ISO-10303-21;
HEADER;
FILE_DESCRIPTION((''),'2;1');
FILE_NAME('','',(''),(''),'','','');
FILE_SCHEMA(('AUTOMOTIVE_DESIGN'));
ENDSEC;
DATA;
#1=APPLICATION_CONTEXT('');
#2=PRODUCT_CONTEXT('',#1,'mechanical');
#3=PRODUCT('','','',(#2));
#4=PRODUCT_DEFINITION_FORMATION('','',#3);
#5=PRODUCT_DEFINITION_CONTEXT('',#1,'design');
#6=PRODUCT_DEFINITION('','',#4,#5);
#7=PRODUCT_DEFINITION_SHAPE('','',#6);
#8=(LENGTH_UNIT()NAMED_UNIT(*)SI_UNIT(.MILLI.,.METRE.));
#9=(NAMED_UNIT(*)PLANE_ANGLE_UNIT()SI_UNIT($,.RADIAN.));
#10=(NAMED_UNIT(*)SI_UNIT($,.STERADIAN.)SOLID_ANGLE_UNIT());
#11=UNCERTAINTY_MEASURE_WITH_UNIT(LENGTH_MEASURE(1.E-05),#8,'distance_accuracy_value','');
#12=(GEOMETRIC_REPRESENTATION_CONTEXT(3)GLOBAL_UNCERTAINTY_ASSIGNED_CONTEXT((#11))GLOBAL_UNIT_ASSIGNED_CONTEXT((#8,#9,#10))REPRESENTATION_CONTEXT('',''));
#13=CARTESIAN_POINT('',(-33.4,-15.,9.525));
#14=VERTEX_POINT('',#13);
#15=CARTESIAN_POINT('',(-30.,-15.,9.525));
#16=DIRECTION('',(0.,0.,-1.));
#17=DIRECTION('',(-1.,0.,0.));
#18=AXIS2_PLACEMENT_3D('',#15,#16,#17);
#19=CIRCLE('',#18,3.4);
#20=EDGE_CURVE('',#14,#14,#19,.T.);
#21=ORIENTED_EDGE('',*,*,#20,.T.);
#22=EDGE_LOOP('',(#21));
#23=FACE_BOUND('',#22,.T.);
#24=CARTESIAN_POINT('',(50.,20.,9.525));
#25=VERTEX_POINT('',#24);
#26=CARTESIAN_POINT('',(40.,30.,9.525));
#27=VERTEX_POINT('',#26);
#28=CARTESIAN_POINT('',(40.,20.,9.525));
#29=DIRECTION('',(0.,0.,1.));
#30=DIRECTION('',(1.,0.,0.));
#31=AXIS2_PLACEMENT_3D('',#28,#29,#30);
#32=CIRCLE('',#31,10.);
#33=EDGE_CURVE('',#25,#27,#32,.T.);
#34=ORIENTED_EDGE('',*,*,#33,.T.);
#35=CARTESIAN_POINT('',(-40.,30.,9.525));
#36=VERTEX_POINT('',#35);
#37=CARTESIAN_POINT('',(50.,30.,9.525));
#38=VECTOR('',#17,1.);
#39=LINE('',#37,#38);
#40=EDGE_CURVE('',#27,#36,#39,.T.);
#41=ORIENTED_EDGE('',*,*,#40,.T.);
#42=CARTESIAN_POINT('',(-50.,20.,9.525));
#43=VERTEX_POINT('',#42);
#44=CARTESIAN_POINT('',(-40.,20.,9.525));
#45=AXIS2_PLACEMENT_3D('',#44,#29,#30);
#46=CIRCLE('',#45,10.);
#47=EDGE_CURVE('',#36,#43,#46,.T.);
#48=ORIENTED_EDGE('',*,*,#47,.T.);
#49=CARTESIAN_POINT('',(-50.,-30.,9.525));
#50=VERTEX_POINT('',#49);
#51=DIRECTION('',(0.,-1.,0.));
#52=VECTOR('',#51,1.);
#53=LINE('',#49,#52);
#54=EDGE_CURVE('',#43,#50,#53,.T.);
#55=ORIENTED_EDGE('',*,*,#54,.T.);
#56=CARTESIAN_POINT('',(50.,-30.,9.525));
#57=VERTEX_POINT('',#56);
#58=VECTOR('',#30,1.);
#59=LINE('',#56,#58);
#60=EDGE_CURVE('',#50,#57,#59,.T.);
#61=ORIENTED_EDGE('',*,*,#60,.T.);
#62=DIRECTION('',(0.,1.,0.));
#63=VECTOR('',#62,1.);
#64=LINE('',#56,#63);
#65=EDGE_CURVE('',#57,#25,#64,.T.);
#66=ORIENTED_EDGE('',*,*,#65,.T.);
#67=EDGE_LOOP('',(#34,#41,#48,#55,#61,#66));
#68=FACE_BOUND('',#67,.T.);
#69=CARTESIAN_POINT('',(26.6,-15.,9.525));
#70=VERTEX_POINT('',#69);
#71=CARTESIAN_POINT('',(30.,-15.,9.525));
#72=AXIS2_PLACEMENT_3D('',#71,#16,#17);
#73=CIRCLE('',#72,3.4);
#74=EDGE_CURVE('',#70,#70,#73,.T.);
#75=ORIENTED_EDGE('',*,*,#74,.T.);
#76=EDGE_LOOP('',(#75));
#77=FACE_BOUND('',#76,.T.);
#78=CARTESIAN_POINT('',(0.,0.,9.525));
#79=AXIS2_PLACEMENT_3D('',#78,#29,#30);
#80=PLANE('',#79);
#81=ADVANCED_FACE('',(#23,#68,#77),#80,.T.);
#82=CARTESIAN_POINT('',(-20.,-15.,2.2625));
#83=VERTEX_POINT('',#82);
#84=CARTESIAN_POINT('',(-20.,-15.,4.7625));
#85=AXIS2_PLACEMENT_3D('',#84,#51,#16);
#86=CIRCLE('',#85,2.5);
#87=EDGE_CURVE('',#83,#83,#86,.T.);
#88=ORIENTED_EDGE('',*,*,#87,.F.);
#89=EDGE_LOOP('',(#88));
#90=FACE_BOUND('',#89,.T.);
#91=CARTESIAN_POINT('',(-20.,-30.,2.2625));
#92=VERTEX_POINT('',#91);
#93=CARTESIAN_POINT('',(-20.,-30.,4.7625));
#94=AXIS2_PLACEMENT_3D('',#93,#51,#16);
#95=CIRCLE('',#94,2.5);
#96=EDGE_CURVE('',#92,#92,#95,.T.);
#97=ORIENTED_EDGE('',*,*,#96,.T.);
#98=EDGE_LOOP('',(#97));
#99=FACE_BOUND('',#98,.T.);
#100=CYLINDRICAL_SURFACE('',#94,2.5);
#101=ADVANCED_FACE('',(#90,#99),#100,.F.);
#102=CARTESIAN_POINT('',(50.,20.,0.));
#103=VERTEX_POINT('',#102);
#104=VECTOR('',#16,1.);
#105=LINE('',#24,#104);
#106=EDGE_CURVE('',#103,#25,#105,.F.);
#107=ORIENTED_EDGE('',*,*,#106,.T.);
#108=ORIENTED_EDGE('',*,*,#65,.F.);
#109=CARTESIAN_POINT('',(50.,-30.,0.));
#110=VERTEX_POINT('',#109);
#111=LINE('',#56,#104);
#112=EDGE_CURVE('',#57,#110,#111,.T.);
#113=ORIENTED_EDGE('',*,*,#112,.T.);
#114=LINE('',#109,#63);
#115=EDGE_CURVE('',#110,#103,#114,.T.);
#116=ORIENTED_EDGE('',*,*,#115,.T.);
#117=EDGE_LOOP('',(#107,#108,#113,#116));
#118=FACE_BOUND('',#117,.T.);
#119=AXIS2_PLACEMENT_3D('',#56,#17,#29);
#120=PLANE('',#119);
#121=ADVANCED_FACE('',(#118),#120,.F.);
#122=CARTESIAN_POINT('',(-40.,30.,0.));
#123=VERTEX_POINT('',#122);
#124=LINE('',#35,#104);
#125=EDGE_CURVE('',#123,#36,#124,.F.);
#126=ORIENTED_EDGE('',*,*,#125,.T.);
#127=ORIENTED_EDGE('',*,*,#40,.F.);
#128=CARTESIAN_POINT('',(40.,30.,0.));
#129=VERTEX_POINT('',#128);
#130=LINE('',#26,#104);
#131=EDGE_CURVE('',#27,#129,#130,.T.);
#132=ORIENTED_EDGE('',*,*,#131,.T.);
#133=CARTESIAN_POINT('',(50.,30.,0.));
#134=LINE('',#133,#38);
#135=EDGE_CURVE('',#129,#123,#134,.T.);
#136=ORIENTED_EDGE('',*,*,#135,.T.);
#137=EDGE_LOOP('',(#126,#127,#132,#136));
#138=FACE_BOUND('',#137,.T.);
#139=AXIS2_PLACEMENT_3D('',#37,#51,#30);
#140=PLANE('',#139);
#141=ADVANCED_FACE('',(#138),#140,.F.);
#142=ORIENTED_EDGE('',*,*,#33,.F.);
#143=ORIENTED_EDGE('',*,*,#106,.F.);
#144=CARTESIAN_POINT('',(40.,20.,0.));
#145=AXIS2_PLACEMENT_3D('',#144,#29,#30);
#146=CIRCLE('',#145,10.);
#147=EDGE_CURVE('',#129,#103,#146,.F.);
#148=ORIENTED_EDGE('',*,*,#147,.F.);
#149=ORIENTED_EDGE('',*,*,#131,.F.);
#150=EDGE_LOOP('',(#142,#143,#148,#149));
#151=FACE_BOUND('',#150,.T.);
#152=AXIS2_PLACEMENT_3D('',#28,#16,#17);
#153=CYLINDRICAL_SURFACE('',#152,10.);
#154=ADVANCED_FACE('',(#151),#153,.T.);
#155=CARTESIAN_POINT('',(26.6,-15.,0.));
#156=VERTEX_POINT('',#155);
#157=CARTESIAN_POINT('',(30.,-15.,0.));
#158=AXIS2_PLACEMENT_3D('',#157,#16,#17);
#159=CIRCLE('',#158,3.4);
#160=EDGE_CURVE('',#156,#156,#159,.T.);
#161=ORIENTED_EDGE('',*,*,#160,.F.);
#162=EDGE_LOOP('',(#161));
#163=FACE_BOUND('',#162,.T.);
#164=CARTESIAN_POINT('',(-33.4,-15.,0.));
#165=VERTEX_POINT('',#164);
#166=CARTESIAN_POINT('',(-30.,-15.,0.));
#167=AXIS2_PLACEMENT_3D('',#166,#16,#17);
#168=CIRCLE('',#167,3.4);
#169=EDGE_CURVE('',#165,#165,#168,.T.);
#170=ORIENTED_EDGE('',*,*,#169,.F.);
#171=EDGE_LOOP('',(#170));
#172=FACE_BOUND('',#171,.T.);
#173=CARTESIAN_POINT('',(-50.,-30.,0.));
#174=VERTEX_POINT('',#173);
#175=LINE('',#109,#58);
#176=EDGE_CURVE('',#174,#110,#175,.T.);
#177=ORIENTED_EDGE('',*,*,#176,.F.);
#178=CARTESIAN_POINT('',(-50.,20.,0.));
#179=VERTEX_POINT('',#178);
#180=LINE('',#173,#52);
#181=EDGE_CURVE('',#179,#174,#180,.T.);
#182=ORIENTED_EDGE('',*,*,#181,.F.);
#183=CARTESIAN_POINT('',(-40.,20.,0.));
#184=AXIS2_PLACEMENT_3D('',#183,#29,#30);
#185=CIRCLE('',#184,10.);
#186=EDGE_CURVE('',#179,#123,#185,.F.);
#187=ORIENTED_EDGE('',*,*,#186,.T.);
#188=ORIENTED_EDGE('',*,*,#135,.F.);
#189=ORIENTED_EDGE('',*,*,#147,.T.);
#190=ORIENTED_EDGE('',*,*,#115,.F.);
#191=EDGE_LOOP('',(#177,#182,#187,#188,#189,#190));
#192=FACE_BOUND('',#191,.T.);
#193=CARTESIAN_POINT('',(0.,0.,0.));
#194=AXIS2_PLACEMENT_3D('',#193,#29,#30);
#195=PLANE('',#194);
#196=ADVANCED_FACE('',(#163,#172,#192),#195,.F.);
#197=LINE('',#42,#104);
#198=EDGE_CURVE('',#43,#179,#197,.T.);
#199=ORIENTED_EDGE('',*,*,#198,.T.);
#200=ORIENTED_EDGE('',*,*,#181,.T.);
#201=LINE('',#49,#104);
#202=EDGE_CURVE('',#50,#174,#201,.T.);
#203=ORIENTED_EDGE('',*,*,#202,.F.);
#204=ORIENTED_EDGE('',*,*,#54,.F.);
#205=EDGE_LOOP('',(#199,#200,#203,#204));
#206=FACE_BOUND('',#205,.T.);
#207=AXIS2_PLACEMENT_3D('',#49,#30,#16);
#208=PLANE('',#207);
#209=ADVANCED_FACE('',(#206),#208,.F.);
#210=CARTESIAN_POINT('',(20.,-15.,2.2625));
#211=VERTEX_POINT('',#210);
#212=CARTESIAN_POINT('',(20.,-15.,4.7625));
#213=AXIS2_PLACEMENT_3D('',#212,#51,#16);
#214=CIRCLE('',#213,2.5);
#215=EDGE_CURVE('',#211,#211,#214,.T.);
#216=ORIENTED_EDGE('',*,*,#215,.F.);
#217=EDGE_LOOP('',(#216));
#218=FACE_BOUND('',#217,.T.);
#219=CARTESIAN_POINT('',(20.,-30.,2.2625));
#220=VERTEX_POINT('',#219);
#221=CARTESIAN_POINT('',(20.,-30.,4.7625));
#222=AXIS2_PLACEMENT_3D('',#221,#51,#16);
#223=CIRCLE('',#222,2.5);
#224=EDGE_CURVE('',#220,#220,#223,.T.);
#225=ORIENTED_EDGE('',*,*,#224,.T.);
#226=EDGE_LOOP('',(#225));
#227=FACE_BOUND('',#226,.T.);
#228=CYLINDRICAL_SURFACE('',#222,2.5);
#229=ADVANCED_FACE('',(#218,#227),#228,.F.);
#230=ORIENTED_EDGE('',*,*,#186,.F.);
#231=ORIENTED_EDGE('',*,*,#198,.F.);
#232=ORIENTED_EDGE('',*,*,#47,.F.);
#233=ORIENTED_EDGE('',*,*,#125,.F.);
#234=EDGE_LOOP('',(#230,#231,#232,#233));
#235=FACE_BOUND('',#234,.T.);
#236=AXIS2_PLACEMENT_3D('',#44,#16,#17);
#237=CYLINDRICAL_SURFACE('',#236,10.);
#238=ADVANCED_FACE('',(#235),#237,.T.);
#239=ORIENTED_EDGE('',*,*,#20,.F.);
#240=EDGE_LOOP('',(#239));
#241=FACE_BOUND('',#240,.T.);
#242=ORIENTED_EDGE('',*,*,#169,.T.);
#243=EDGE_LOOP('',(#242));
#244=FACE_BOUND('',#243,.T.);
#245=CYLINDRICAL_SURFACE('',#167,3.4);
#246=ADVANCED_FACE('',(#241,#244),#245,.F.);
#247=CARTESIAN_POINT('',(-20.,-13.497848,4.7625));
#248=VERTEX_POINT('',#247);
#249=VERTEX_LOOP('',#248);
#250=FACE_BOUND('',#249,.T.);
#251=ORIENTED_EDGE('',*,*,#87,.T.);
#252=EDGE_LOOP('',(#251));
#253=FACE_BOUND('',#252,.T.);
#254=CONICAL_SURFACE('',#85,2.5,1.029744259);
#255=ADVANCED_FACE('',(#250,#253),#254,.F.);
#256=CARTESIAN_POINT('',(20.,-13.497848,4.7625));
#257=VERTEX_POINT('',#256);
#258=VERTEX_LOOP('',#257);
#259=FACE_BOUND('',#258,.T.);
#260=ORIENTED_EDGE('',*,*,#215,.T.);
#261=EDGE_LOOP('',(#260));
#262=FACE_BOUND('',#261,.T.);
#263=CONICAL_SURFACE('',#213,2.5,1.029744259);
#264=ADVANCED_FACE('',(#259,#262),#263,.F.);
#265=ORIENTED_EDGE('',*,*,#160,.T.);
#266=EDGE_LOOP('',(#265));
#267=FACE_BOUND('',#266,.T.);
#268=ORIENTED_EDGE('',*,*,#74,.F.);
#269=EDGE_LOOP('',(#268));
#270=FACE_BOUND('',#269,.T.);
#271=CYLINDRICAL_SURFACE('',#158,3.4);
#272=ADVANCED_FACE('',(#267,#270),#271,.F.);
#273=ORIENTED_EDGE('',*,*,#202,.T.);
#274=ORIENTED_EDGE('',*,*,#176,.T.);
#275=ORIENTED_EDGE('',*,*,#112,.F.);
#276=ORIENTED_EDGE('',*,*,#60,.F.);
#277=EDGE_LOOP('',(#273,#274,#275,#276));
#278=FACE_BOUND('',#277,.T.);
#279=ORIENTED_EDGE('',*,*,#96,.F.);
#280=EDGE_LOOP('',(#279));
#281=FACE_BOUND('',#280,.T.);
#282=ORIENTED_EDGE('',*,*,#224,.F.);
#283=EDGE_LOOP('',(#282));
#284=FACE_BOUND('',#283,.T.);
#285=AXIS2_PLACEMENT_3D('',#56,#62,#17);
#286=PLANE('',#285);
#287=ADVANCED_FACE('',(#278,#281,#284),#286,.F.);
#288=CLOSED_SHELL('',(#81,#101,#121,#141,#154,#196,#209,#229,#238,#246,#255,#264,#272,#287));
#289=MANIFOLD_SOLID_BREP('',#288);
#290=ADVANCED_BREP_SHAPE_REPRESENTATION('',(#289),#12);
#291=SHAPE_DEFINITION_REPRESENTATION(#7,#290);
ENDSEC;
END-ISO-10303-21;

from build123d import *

# Parameters (mm, degrees)
ESBO_O1_W                 = 100
ESBO_O1_H                 = 60
RESSALTO_EXTRUS_O1_DEPTH  = 9.525
FILETE1_R                 = 10
FURO_ROSCADO_DE_M61_D     = 5
FURO_ROSCADO_DE_M61_DEPTH = 15
FURO_ROSCADO_DE_M61_TIP   = 1.502151548
ESBO_O5_R                 = 3
CORTE_EXTRUS_O1_DEPTH     = 60.082363062
FURO_ROSCADO_DE_M82_D     = 6.8


with BuildPart() as part:
    # Esboço1 → Ressalto-extrusão1 (new body)
    with BuildSketch(Plane.XY):
        Rectangle(ESBO_O1_W, ESBO_O1_H)
    extrude(amount=RESSALTO_EXTRUS_O1_DEPTH)

    # Filete1
    filete1_edges = [part.edges().sort_by_distance(p)[0] for p in [
        (-50, 30, 4.7625),
        (50, 30, 4.7625),
    ]]
    fillet(filete1_edges, radius=FILETE1_R)

    # Furo roscado de M61
    with Locations(Plane(origin=(0, -30, 0), x_dir=(-1, 0, 0), z_dir=(0, -1, 0))):
        with Locations((20, -4.7625), (-20, -4.7625)):
            Hole(FURO_ROSCADO_DE_M61_D / 2, depth=FURO_ROSCADO_DE_M61_DEPTH)
            with Locations((0, 0, -(FURO_ROSCADO_DE_M61_DEPTH + FURO_ROSCADO_DE_M61_TIP / 2))):  # 118° drill point
                Cone(0, FURO_ROSCADO_DE_M61_D / 2, FURO_ROSCADO_DE_M61_TIP, mode=Mode.SUBTRACT)

    # Esboço5 → Corte-extrusão1 (cut, through all)
    with BuildSketch(Plane.XY.offset(9.525)):
        with Locations((30, -15)):
            Circle(ESBO_O5_R)
        with Locations((-30, -15)):
            Circle(ESBO_O5_R)
    extrude(amount=-CORTE_EXTRUS_O1_DEPTH, mode=Mode.SUBTRACT)

    # Furo roscado de M82 (through all)
    with Locations(Plane(origin=(30, -15, 0), x_dir=(-1, 0, 0), z_dir=(0, 0, -1))):
        with Locations((0, 0), (60, 0)):
            Hole(FURO_ROSCADO_DE_M82_D / 2)


solid = part.part
